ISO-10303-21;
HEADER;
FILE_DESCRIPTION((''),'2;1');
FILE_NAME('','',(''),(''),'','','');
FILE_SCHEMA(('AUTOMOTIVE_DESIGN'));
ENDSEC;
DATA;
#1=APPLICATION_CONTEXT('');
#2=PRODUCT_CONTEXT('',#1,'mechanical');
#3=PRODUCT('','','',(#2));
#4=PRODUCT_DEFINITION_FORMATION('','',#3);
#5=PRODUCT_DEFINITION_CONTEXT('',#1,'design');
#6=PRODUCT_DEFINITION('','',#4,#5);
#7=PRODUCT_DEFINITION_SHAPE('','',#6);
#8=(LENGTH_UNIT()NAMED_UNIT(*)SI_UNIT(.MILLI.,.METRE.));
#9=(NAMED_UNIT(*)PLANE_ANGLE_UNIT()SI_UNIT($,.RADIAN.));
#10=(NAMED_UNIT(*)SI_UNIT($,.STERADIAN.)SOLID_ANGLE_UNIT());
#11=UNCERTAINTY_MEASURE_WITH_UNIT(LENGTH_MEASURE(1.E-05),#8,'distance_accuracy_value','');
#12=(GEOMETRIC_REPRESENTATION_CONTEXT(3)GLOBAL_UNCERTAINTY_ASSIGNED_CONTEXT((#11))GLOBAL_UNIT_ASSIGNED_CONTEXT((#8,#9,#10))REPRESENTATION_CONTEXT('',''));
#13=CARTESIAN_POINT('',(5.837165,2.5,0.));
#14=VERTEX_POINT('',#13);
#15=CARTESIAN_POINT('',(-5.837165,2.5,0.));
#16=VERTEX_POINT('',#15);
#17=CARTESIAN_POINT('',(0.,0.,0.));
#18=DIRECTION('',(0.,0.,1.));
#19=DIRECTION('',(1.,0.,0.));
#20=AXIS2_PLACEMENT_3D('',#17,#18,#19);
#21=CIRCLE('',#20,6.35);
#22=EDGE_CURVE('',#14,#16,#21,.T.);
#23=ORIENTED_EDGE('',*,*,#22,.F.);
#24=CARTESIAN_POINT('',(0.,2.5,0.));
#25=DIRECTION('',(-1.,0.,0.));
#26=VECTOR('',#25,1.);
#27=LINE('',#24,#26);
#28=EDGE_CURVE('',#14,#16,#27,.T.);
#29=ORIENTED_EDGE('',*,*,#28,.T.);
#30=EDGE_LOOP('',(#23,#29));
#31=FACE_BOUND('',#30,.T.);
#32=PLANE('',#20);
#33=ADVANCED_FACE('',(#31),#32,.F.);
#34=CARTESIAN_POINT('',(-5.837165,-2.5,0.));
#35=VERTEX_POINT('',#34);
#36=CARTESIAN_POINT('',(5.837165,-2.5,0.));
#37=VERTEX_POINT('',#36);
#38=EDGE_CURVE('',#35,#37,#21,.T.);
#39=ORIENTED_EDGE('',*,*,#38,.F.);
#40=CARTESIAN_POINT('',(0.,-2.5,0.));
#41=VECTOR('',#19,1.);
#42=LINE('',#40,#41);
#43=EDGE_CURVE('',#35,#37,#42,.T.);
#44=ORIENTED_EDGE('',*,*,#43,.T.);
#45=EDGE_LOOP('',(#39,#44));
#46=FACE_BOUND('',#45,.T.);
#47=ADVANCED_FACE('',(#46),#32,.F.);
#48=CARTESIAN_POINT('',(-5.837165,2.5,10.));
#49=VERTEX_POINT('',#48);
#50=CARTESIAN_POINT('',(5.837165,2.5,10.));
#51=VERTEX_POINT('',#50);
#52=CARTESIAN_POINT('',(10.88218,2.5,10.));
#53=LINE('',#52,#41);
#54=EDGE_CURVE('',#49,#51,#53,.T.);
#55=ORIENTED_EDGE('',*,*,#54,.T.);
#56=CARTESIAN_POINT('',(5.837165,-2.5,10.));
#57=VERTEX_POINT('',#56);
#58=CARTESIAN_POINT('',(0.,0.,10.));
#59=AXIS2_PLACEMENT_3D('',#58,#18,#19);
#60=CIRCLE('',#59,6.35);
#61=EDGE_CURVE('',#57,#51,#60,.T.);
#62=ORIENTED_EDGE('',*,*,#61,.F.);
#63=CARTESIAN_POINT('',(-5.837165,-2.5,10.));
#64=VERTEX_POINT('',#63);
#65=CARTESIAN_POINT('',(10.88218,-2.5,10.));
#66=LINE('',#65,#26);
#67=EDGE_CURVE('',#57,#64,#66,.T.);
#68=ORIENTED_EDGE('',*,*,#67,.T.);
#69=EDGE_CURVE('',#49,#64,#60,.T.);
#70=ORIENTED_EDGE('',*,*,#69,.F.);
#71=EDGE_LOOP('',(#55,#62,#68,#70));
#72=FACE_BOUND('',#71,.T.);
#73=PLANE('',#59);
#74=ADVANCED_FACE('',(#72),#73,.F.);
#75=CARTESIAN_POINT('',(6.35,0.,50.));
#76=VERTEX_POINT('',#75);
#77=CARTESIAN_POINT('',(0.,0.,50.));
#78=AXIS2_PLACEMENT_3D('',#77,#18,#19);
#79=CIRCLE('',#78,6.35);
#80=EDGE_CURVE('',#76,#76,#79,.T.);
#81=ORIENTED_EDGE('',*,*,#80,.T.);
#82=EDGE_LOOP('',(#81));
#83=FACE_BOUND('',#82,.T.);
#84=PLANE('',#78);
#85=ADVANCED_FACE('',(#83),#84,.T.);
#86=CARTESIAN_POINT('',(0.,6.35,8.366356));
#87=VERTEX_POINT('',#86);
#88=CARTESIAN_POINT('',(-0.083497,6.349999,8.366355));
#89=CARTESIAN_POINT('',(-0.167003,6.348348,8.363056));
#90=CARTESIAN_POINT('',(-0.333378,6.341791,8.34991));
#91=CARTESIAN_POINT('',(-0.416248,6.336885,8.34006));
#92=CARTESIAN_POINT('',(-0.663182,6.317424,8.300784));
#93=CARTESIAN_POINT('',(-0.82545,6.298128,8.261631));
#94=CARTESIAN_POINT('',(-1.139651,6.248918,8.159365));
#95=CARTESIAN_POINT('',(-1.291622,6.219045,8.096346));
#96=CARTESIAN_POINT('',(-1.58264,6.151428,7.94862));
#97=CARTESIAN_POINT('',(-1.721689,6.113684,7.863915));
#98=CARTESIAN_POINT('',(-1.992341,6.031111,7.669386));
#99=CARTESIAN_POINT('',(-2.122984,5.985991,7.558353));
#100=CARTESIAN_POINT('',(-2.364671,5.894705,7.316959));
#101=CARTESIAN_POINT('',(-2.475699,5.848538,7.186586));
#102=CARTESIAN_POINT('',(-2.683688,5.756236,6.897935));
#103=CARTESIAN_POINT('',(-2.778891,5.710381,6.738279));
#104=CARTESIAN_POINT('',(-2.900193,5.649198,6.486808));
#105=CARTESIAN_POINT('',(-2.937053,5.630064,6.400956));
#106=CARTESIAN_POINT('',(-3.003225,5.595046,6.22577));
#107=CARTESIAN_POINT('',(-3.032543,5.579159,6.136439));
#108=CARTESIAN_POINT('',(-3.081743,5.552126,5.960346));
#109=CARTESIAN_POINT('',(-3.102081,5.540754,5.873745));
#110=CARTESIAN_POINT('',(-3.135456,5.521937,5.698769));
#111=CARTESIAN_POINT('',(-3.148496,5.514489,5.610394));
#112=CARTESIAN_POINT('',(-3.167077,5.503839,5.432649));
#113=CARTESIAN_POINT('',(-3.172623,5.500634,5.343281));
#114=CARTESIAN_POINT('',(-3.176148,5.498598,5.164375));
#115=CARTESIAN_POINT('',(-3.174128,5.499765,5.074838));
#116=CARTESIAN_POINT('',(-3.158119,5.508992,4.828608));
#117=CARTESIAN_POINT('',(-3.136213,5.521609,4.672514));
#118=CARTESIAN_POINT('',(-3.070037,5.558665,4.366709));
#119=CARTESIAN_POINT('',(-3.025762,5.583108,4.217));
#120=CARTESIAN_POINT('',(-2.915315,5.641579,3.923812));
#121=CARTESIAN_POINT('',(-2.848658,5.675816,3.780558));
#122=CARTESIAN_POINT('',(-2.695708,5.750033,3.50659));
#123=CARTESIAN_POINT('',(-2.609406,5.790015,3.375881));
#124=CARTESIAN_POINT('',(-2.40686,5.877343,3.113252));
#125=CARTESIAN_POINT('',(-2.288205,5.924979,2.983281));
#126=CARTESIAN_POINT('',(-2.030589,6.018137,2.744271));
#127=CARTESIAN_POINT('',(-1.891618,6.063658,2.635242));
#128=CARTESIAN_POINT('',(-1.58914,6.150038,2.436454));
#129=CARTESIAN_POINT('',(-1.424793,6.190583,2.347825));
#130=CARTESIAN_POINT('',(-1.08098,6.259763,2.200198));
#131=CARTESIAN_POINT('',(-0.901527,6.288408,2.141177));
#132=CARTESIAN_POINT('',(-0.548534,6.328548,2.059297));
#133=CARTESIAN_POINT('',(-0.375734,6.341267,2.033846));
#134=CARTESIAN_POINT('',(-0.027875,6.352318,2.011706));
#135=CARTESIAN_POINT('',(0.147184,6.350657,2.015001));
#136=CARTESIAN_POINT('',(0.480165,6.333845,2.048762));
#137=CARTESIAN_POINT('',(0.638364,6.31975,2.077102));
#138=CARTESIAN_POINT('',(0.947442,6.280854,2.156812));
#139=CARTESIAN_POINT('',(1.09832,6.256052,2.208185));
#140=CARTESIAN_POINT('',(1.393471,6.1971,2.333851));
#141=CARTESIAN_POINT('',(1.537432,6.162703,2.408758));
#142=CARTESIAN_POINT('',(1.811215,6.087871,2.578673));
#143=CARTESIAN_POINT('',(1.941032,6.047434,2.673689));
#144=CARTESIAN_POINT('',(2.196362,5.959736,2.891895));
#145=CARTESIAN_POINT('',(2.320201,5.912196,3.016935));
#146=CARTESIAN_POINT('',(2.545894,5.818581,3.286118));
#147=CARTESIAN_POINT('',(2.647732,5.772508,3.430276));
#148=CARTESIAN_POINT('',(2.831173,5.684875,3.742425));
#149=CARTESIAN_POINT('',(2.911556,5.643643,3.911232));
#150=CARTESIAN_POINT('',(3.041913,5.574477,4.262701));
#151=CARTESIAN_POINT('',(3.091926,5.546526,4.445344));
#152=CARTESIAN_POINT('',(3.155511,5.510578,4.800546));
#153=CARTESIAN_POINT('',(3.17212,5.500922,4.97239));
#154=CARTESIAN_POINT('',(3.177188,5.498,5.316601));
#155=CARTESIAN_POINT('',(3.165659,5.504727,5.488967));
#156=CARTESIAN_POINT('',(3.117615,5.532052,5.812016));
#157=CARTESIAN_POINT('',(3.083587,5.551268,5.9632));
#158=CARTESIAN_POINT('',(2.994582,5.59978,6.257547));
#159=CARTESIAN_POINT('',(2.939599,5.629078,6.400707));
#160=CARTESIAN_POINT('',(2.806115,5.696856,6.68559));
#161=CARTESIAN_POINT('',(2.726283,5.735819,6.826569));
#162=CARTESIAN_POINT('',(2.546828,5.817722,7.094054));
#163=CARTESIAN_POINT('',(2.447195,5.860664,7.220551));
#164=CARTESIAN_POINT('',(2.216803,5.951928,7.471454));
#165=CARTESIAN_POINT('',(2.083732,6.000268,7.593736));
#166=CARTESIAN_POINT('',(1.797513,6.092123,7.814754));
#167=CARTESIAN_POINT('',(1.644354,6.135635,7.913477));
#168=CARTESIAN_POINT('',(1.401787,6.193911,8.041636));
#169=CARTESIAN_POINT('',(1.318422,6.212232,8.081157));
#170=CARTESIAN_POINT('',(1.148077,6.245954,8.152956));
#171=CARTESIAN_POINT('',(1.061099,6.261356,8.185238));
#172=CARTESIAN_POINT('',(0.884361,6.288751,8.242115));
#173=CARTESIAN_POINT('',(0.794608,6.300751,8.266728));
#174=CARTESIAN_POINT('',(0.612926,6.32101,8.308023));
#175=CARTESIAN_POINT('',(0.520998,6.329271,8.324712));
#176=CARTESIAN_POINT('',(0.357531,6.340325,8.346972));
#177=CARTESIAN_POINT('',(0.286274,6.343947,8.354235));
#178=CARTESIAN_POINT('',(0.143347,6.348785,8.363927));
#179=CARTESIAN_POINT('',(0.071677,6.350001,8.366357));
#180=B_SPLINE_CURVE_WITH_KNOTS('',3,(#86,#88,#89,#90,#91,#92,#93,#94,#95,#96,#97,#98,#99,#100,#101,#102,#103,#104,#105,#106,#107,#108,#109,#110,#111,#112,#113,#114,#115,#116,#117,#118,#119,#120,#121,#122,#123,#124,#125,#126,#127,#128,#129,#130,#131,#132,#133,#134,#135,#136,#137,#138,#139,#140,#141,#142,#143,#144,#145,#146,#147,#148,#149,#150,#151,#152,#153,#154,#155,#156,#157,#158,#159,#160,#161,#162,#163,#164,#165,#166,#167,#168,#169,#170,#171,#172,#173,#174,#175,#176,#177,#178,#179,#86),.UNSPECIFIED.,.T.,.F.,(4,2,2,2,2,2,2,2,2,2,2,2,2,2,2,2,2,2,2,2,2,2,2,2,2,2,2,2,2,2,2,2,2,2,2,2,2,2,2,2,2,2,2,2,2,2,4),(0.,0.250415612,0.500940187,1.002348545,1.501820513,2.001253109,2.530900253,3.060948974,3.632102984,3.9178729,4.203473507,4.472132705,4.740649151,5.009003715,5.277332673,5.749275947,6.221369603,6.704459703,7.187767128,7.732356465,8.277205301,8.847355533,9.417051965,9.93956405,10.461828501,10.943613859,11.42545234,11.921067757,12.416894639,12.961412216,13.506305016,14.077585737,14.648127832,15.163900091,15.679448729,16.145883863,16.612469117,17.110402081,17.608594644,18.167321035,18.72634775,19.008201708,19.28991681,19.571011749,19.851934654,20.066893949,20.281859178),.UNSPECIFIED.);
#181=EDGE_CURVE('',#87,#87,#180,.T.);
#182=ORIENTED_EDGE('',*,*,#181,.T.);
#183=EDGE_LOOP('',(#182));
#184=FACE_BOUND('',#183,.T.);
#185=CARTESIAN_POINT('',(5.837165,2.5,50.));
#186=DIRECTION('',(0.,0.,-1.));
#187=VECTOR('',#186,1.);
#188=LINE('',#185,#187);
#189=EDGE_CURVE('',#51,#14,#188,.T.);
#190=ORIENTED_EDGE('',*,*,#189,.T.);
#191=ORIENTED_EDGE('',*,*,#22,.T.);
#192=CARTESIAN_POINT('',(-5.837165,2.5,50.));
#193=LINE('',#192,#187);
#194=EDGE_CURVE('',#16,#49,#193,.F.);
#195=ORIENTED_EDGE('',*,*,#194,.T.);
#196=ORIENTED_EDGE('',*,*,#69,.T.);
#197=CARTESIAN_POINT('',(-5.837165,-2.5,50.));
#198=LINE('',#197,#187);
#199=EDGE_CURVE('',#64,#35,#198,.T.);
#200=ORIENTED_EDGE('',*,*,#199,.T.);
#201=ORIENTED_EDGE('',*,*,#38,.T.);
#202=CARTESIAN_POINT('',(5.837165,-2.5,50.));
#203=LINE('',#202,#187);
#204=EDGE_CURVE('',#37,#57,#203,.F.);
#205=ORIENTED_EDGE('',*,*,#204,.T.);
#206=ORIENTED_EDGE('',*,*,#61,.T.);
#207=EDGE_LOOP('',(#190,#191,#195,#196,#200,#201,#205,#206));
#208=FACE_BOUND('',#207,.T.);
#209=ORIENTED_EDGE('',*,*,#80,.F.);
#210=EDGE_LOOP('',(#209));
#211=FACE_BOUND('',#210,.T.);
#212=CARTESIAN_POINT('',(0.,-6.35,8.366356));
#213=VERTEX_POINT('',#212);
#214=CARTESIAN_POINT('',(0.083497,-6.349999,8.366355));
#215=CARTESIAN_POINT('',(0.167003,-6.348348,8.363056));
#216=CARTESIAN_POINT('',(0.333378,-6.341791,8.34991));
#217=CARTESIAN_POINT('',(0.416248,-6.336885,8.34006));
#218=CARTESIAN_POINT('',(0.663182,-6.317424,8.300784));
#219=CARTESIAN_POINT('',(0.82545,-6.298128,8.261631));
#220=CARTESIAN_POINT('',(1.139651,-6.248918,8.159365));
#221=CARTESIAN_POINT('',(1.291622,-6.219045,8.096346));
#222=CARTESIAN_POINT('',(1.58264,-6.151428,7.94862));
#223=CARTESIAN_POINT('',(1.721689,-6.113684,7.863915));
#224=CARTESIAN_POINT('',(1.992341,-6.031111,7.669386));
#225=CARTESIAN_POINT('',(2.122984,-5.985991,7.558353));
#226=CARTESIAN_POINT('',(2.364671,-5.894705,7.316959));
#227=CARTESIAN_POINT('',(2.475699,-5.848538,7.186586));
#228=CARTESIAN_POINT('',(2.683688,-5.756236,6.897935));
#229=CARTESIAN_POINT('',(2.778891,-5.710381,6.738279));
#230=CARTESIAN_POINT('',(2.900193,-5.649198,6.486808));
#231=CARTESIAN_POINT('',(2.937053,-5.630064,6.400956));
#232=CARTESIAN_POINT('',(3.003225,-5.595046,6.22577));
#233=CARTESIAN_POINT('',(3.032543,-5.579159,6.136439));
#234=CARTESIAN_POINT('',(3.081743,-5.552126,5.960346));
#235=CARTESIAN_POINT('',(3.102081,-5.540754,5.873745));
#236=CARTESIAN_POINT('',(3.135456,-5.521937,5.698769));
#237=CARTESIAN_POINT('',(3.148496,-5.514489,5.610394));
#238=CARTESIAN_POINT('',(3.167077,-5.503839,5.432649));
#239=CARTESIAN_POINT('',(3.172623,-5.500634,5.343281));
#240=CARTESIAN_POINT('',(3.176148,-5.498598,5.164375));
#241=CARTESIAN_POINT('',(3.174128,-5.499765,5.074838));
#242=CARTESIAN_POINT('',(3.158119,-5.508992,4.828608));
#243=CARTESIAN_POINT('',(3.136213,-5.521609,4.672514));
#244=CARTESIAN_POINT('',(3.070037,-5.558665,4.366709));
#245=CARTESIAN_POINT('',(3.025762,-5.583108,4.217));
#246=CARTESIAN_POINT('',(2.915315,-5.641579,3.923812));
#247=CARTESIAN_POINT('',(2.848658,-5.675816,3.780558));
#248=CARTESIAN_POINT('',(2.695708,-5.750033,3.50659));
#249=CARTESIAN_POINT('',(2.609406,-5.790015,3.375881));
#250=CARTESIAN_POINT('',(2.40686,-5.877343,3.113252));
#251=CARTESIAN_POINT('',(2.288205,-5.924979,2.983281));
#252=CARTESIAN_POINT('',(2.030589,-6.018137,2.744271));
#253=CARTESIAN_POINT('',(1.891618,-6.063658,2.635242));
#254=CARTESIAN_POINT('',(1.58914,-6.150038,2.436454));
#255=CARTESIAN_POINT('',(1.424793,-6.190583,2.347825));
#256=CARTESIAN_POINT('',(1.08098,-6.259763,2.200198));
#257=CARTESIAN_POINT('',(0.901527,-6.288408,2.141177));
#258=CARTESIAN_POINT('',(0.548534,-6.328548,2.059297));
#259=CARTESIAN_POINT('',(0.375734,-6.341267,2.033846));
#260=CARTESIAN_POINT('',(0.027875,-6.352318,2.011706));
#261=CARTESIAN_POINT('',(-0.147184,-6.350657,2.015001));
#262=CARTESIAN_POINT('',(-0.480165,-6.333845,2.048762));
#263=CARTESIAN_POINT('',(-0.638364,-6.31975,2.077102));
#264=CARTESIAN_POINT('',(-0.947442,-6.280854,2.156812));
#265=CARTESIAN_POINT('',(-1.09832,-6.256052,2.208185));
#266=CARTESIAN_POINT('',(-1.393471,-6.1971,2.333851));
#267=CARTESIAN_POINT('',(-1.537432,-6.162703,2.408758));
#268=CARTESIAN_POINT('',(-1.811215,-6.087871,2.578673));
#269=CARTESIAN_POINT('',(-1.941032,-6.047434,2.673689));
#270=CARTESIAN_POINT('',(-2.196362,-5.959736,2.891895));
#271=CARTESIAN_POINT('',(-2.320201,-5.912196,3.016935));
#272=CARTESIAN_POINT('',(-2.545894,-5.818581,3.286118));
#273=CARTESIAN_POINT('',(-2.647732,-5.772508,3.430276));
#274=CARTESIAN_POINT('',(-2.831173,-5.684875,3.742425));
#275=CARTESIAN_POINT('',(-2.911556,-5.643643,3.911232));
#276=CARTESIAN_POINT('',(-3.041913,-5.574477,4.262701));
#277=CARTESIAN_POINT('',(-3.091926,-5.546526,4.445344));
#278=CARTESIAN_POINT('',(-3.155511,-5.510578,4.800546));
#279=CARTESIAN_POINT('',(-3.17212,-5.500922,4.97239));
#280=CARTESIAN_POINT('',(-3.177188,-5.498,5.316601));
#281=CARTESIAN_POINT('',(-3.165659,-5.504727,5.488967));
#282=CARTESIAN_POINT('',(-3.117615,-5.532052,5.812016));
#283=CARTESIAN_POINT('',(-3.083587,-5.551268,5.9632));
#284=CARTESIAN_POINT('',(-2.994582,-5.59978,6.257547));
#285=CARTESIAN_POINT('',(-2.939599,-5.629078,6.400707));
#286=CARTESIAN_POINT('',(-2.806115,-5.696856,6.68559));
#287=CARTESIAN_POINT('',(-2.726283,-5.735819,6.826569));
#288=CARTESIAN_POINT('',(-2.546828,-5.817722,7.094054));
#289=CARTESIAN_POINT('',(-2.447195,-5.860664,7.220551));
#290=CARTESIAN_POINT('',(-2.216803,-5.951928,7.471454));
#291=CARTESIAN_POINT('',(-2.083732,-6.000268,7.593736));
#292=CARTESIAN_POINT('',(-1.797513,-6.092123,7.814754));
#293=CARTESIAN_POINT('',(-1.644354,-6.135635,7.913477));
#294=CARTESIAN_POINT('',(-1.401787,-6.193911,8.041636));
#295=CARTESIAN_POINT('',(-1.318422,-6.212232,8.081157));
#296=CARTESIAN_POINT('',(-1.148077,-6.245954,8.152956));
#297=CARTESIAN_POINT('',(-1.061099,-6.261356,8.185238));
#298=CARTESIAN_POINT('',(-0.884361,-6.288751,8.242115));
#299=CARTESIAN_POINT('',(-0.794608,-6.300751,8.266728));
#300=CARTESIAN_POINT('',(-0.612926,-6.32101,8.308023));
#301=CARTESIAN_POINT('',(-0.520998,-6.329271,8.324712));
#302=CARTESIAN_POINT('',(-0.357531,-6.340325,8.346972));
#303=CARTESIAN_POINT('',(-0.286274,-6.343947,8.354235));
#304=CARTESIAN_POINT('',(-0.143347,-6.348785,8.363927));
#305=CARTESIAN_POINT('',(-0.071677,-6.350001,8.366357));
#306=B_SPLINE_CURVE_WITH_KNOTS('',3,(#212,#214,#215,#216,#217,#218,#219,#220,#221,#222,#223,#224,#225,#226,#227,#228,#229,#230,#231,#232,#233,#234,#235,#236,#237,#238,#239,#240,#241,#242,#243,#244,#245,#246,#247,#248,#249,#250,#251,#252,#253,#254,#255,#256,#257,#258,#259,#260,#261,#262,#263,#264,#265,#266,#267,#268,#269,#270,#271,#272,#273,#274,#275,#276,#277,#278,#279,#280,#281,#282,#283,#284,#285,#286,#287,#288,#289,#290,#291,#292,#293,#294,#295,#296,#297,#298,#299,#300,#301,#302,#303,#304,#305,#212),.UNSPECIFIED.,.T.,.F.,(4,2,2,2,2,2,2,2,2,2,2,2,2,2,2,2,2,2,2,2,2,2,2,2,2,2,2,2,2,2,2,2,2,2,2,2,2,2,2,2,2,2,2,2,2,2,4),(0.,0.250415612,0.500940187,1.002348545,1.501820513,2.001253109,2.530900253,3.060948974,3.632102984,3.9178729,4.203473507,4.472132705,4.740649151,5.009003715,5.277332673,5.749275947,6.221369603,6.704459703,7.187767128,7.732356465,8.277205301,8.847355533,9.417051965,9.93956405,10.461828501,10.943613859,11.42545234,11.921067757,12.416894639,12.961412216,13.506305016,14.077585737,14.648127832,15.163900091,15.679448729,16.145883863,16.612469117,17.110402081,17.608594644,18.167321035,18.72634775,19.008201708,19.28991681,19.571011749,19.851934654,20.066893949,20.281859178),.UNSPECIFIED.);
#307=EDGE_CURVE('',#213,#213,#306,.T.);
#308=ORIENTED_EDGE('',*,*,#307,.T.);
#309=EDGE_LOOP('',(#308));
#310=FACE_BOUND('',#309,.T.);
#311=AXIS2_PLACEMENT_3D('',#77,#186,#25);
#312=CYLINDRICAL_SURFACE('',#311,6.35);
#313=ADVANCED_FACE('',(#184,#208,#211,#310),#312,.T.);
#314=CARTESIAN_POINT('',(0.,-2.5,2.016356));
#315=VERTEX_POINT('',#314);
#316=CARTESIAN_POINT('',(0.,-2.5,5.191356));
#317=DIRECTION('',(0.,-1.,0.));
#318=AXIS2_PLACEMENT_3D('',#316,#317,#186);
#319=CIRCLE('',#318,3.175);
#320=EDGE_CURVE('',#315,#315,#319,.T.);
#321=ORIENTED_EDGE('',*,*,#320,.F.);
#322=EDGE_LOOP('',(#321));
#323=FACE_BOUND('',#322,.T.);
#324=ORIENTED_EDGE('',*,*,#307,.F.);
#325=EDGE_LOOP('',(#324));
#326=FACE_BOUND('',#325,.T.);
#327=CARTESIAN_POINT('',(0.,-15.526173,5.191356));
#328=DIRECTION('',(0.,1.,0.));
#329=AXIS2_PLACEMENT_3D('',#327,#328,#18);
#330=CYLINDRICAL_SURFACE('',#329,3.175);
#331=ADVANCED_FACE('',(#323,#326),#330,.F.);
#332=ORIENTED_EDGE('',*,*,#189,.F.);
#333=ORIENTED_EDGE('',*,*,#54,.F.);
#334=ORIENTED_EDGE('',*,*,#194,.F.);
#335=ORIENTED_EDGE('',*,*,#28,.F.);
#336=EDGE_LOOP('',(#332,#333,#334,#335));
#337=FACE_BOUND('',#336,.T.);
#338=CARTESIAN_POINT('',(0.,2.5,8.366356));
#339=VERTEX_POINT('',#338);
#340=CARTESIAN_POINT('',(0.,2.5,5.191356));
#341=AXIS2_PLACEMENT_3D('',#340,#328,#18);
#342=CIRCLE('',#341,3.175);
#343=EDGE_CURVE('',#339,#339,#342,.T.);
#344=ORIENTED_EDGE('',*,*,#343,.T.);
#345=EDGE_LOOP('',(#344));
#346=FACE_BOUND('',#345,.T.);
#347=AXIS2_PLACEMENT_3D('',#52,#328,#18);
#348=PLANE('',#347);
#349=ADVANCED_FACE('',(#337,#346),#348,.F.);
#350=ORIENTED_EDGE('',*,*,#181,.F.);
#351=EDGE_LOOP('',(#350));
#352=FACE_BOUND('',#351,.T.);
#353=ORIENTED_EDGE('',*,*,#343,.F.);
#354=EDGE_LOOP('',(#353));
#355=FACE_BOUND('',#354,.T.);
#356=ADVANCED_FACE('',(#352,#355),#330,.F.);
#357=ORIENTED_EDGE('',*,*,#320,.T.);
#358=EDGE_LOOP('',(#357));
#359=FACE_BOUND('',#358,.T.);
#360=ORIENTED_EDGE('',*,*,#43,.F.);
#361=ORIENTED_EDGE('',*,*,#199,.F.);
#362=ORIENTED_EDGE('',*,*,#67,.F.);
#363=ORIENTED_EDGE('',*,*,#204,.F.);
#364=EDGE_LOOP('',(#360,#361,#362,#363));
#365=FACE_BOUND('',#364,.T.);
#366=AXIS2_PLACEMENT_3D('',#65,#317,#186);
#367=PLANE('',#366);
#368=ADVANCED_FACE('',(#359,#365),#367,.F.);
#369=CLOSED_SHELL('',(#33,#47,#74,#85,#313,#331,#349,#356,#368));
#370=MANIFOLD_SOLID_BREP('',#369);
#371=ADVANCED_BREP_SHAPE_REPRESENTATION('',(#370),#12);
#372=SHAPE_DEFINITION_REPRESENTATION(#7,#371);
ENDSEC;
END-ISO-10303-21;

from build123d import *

# Parameters (mm, degrees)
CROQUIS1_R                 = 6.35
SALIENTE_EXTRUIR1_DEPTH    = 50
CROQUIS2_W                 = 21.76436001
CROQUIS2_H                 = 5
CORTAR_EXTRUIR1_DEPTH      = 10
CORTAR_EXTRUIR2_DEPTH      = 51.800049213
CORTAR_EXTRUIR2_DEPTH_BACK = 15.526172758
CROQUIS3_R                 = 3.175


with BuildPart() as part:
    # Croquis1 → Saliente-Extruir1 (new body)
    with BuildSketch(Plane.XY):
        Circle(CROQUIS1_R)
    extrude(amount=SALIENTE_EXTRUIR1_DEPTH)

    # Croquis2 → Cortar-Extruir1 (cut)
    with BuildSketch(Plane(origin=(0, 0, 0), x_dir=(-1, 0, 0), z_dir=(0, 0, -1))):
        Rectangle(CROQUIS2_W, CROQUIS2_H)
    extrude(amount=-CORTAR_EXTRUIR1_DEPTH, mode=Mode.SUBTRACT)

    # Croquis3 → Cortar-Extruir2 (cut, two sides: drawn at the far end of the back side and taken through both)
    with BuildSketch(Plane(origin=(0, 0, 0), x_dir=(1, 0, 0), z_dir=(0, 1, 0)).offset(-CORTAR_EXTRUIR2_DEPTH_BACK)):
        with Locations(Location((0, -5.191356095, 0), (0, 0, 270))):
            Circle(CROQUIS3_R)
    extrude(amount=CORTAR_EXTRUIR2_DEPTH + CORTAR_EXTRUIR2_DEPTH_BACK, mode=Mode.SUBTRACT)


solid = part.part
